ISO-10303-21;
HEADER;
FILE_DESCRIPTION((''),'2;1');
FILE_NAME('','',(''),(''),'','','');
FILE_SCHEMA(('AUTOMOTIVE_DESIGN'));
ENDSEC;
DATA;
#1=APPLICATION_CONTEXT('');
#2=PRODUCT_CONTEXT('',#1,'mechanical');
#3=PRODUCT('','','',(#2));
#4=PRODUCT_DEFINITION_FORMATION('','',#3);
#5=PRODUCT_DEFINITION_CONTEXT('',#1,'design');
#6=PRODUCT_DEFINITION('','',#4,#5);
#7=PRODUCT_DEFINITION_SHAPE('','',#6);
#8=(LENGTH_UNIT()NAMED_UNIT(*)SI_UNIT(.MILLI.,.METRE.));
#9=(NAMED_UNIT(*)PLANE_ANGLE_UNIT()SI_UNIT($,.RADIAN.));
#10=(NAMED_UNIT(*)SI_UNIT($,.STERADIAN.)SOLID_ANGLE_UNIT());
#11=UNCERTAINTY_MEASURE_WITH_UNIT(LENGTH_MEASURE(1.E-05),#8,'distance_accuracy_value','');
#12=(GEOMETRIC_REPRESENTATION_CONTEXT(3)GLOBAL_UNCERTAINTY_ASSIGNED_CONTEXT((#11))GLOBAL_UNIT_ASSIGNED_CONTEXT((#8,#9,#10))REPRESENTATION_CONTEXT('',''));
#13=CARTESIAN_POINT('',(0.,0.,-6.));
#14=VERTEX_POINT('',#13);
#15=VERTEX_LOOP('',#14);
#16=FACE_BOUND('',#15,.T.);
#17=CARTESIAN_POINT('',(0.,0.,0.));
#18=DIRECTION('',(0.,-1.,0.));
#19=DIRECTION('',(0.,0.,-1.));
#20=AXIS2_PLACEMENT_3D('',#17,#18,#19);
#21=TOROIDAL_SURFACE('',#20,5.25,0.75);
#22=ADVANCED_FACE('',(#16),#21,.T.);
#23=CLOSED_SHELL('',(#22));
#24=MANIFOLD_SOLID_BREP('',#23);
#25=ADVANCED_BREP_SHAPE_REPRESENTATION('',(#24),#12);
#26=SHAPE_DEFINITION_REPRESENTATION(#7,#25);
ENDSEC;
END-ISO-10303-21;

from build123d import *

# Parameters (mm, degrees)
SKETCH2_R = 0.75


with BuildPart() as part:
    # Sketch2 → Revolve1 (revolve)
    with BuildSketch(Plane.XY, mode=Mode.PRIVATE) as revolve1_sk:
        with Locations((5.25, 0)):
            Circle(SKETCH2_R)
    revolve(revolve1_sk.sketch.rotate(Axis((0, 0, 0), (0, 1, 0)), 90), axis=Axis((0, 0, 0), (0, 1, 0)))


solid = part.part
